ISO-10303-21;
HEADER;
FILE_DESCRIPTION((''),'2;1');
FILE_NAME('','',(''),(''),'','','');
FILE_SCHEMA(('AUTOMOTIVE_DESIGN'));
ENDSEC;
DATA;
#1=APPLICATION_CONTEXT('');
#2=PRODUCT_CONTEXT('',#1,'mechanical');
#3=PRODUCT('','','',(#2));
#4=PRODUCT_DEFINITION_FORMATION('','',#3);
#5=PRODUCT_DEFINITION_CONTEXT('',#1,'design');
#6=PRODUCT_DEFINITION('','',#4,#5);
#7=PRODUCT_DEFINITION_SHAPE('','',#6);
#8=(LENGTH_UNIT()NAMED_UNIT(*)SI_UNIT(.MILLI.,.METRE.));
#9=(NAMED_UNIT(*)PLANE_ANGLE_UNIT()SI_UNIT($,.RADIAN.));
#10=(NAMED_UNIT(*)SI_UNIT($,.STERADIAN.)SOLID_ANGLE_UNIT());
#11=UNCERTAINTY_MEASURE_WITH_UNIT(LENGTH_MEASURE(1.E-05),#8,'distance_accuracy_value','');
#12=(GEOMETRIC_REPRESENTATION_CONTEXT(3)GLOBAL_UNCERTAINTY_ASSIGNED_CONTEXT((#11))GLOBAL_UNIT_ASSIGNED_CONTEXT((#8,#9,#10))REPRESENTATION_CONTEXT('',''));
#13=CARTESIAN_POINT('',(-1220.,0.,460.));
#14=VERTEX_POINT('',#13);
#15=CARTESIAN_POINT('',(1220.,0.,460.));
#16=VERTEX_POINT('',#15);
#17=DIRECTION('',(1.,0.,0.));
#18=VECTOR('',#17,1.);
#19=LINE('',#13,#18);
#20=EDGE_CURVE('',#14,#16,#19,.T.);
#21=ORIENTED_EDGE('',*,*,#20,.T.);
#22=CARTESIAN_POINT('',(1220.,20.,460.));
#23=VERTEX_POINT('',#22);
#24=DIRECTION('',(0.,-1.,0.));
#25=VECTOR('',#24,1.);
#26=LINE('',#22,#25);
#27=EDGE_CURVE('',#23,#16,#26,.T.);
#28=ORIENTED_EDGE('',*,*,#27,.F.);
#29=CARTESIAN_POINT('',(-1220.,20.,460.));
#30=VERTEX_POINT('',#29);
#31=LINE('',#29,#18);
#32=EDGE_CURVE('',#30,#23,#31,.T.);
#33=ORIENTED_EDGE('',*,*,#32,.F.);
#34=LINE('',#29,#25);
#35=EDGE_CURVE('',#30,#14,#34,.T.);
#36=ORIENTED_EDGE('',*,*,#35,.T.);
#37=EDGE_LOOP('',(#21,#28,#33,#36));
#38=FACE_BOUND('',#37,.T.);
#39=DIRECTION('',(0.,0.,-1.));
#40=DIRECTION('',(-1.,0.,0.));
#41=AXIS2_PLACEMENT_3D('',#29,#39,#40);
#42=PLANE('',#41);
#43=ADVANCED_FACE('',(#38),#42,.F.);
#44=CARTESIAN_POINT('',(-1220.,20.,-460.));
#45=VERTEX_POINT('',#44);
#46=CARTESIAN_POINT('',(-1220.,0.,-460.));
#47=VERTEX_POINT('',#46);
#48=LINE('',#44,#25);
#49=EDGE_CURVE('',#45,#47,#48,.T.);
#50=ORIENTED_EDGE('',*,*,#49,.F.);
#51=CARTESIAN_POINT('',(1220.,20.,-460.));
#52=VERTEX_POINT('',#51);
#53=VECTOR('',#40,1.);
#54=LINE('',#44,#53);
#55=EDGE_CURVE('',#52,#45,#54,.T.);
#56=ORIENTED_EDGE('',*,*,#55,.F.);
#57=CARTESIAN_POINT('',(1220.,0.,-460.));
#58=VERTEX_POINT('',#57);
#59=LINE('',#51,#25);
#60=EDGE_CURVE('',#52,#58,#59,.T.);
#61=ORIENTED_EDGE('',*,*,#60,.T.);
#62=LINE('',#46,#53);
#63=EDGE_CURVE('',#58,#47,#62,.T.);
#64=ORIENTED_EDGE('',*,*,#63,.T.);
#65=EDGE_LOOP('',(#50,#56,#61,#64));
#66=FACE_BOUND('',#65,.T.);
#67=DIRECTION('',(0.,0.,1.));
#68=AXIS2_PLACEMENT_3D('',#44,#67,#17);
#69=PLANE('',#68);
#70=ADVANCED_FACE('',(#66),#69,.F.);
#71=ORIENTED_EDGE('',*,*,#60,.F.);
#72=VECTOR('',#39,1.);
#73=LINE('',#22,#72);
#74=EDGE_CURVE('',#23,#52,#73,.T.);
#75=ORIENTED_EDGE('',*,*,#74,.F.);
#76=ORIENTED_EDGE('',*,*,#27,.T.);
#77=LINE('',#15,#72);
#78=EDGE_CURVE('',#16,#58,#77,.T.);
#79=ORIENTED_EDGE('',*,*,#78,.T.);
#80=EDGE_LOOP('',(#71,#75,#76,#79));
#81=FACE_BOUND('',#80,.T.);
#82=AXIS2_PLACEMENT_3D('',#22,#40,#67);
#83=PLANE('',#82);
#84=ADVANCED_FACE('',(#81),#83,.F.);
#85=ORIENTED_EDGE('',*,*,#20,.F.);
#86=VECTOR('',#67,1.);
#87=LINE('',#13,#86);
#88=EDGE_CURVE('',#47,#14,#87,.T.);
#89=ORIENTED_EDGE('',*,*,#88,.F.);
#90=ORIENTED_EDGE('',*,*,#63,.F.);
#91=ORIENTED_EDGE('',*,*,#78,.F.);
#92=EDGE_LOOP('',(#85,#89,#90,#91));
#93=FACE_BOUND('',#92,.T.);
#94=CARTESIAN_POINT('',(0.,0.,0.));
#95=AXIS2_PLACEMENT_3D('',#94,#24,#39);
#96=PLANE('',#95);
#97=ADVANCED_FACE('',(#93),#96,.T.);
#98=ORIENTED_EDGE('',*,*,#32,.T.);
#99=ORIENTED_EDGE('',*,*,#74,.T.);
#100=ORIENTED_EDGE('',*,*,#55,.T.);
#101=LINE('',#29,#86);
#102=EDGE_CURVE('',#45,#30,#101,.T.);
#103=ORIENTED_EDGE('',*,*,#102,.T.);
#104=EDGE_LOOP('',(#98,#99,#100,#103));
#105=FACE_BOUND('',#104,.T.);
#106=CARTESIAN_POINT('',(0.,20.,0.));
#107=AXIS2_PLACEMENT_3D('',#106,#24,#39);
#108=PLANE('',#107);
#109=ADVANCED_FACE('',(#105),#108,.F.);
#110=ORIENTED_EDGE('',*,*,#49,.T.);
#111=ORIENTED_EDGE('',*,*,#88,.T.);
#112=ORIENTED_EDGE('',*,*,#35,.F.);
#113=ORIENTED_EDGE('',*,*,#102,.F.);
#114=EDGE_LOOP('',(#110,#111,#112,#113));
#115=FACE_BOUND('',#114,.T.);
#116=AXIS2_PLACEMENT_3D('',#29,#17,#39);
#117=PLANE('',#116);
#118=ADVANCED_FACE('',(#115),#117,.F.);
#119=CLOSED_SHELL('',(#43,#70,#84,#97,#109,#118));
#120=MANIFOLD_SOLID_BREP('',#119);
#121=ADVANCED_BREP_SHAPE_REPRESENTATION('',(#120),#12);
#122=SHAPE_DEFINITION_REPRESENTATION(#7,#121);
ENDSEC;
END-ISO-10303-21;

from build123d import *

# Parameters (mm, degrees)
SKETCH1_W           = 2440
SKETCH1_H           = 920
BOSS_EXTRUDE1_DEPTH = 20


with BuildPart() as part:
    # Sketch1 → Boss-Extrude1 (new body)
    with BuildSketch(Plane(origin=(0, 0, 0), x_dir=(1, 0, 0), z_dir=(0, 1, 0))):
        Rectangle(SKETCH1_W, SKETCH1_H)
    extrude(amount=BOSS_EXTRUDE1_DEPTH)


solid = part.part
